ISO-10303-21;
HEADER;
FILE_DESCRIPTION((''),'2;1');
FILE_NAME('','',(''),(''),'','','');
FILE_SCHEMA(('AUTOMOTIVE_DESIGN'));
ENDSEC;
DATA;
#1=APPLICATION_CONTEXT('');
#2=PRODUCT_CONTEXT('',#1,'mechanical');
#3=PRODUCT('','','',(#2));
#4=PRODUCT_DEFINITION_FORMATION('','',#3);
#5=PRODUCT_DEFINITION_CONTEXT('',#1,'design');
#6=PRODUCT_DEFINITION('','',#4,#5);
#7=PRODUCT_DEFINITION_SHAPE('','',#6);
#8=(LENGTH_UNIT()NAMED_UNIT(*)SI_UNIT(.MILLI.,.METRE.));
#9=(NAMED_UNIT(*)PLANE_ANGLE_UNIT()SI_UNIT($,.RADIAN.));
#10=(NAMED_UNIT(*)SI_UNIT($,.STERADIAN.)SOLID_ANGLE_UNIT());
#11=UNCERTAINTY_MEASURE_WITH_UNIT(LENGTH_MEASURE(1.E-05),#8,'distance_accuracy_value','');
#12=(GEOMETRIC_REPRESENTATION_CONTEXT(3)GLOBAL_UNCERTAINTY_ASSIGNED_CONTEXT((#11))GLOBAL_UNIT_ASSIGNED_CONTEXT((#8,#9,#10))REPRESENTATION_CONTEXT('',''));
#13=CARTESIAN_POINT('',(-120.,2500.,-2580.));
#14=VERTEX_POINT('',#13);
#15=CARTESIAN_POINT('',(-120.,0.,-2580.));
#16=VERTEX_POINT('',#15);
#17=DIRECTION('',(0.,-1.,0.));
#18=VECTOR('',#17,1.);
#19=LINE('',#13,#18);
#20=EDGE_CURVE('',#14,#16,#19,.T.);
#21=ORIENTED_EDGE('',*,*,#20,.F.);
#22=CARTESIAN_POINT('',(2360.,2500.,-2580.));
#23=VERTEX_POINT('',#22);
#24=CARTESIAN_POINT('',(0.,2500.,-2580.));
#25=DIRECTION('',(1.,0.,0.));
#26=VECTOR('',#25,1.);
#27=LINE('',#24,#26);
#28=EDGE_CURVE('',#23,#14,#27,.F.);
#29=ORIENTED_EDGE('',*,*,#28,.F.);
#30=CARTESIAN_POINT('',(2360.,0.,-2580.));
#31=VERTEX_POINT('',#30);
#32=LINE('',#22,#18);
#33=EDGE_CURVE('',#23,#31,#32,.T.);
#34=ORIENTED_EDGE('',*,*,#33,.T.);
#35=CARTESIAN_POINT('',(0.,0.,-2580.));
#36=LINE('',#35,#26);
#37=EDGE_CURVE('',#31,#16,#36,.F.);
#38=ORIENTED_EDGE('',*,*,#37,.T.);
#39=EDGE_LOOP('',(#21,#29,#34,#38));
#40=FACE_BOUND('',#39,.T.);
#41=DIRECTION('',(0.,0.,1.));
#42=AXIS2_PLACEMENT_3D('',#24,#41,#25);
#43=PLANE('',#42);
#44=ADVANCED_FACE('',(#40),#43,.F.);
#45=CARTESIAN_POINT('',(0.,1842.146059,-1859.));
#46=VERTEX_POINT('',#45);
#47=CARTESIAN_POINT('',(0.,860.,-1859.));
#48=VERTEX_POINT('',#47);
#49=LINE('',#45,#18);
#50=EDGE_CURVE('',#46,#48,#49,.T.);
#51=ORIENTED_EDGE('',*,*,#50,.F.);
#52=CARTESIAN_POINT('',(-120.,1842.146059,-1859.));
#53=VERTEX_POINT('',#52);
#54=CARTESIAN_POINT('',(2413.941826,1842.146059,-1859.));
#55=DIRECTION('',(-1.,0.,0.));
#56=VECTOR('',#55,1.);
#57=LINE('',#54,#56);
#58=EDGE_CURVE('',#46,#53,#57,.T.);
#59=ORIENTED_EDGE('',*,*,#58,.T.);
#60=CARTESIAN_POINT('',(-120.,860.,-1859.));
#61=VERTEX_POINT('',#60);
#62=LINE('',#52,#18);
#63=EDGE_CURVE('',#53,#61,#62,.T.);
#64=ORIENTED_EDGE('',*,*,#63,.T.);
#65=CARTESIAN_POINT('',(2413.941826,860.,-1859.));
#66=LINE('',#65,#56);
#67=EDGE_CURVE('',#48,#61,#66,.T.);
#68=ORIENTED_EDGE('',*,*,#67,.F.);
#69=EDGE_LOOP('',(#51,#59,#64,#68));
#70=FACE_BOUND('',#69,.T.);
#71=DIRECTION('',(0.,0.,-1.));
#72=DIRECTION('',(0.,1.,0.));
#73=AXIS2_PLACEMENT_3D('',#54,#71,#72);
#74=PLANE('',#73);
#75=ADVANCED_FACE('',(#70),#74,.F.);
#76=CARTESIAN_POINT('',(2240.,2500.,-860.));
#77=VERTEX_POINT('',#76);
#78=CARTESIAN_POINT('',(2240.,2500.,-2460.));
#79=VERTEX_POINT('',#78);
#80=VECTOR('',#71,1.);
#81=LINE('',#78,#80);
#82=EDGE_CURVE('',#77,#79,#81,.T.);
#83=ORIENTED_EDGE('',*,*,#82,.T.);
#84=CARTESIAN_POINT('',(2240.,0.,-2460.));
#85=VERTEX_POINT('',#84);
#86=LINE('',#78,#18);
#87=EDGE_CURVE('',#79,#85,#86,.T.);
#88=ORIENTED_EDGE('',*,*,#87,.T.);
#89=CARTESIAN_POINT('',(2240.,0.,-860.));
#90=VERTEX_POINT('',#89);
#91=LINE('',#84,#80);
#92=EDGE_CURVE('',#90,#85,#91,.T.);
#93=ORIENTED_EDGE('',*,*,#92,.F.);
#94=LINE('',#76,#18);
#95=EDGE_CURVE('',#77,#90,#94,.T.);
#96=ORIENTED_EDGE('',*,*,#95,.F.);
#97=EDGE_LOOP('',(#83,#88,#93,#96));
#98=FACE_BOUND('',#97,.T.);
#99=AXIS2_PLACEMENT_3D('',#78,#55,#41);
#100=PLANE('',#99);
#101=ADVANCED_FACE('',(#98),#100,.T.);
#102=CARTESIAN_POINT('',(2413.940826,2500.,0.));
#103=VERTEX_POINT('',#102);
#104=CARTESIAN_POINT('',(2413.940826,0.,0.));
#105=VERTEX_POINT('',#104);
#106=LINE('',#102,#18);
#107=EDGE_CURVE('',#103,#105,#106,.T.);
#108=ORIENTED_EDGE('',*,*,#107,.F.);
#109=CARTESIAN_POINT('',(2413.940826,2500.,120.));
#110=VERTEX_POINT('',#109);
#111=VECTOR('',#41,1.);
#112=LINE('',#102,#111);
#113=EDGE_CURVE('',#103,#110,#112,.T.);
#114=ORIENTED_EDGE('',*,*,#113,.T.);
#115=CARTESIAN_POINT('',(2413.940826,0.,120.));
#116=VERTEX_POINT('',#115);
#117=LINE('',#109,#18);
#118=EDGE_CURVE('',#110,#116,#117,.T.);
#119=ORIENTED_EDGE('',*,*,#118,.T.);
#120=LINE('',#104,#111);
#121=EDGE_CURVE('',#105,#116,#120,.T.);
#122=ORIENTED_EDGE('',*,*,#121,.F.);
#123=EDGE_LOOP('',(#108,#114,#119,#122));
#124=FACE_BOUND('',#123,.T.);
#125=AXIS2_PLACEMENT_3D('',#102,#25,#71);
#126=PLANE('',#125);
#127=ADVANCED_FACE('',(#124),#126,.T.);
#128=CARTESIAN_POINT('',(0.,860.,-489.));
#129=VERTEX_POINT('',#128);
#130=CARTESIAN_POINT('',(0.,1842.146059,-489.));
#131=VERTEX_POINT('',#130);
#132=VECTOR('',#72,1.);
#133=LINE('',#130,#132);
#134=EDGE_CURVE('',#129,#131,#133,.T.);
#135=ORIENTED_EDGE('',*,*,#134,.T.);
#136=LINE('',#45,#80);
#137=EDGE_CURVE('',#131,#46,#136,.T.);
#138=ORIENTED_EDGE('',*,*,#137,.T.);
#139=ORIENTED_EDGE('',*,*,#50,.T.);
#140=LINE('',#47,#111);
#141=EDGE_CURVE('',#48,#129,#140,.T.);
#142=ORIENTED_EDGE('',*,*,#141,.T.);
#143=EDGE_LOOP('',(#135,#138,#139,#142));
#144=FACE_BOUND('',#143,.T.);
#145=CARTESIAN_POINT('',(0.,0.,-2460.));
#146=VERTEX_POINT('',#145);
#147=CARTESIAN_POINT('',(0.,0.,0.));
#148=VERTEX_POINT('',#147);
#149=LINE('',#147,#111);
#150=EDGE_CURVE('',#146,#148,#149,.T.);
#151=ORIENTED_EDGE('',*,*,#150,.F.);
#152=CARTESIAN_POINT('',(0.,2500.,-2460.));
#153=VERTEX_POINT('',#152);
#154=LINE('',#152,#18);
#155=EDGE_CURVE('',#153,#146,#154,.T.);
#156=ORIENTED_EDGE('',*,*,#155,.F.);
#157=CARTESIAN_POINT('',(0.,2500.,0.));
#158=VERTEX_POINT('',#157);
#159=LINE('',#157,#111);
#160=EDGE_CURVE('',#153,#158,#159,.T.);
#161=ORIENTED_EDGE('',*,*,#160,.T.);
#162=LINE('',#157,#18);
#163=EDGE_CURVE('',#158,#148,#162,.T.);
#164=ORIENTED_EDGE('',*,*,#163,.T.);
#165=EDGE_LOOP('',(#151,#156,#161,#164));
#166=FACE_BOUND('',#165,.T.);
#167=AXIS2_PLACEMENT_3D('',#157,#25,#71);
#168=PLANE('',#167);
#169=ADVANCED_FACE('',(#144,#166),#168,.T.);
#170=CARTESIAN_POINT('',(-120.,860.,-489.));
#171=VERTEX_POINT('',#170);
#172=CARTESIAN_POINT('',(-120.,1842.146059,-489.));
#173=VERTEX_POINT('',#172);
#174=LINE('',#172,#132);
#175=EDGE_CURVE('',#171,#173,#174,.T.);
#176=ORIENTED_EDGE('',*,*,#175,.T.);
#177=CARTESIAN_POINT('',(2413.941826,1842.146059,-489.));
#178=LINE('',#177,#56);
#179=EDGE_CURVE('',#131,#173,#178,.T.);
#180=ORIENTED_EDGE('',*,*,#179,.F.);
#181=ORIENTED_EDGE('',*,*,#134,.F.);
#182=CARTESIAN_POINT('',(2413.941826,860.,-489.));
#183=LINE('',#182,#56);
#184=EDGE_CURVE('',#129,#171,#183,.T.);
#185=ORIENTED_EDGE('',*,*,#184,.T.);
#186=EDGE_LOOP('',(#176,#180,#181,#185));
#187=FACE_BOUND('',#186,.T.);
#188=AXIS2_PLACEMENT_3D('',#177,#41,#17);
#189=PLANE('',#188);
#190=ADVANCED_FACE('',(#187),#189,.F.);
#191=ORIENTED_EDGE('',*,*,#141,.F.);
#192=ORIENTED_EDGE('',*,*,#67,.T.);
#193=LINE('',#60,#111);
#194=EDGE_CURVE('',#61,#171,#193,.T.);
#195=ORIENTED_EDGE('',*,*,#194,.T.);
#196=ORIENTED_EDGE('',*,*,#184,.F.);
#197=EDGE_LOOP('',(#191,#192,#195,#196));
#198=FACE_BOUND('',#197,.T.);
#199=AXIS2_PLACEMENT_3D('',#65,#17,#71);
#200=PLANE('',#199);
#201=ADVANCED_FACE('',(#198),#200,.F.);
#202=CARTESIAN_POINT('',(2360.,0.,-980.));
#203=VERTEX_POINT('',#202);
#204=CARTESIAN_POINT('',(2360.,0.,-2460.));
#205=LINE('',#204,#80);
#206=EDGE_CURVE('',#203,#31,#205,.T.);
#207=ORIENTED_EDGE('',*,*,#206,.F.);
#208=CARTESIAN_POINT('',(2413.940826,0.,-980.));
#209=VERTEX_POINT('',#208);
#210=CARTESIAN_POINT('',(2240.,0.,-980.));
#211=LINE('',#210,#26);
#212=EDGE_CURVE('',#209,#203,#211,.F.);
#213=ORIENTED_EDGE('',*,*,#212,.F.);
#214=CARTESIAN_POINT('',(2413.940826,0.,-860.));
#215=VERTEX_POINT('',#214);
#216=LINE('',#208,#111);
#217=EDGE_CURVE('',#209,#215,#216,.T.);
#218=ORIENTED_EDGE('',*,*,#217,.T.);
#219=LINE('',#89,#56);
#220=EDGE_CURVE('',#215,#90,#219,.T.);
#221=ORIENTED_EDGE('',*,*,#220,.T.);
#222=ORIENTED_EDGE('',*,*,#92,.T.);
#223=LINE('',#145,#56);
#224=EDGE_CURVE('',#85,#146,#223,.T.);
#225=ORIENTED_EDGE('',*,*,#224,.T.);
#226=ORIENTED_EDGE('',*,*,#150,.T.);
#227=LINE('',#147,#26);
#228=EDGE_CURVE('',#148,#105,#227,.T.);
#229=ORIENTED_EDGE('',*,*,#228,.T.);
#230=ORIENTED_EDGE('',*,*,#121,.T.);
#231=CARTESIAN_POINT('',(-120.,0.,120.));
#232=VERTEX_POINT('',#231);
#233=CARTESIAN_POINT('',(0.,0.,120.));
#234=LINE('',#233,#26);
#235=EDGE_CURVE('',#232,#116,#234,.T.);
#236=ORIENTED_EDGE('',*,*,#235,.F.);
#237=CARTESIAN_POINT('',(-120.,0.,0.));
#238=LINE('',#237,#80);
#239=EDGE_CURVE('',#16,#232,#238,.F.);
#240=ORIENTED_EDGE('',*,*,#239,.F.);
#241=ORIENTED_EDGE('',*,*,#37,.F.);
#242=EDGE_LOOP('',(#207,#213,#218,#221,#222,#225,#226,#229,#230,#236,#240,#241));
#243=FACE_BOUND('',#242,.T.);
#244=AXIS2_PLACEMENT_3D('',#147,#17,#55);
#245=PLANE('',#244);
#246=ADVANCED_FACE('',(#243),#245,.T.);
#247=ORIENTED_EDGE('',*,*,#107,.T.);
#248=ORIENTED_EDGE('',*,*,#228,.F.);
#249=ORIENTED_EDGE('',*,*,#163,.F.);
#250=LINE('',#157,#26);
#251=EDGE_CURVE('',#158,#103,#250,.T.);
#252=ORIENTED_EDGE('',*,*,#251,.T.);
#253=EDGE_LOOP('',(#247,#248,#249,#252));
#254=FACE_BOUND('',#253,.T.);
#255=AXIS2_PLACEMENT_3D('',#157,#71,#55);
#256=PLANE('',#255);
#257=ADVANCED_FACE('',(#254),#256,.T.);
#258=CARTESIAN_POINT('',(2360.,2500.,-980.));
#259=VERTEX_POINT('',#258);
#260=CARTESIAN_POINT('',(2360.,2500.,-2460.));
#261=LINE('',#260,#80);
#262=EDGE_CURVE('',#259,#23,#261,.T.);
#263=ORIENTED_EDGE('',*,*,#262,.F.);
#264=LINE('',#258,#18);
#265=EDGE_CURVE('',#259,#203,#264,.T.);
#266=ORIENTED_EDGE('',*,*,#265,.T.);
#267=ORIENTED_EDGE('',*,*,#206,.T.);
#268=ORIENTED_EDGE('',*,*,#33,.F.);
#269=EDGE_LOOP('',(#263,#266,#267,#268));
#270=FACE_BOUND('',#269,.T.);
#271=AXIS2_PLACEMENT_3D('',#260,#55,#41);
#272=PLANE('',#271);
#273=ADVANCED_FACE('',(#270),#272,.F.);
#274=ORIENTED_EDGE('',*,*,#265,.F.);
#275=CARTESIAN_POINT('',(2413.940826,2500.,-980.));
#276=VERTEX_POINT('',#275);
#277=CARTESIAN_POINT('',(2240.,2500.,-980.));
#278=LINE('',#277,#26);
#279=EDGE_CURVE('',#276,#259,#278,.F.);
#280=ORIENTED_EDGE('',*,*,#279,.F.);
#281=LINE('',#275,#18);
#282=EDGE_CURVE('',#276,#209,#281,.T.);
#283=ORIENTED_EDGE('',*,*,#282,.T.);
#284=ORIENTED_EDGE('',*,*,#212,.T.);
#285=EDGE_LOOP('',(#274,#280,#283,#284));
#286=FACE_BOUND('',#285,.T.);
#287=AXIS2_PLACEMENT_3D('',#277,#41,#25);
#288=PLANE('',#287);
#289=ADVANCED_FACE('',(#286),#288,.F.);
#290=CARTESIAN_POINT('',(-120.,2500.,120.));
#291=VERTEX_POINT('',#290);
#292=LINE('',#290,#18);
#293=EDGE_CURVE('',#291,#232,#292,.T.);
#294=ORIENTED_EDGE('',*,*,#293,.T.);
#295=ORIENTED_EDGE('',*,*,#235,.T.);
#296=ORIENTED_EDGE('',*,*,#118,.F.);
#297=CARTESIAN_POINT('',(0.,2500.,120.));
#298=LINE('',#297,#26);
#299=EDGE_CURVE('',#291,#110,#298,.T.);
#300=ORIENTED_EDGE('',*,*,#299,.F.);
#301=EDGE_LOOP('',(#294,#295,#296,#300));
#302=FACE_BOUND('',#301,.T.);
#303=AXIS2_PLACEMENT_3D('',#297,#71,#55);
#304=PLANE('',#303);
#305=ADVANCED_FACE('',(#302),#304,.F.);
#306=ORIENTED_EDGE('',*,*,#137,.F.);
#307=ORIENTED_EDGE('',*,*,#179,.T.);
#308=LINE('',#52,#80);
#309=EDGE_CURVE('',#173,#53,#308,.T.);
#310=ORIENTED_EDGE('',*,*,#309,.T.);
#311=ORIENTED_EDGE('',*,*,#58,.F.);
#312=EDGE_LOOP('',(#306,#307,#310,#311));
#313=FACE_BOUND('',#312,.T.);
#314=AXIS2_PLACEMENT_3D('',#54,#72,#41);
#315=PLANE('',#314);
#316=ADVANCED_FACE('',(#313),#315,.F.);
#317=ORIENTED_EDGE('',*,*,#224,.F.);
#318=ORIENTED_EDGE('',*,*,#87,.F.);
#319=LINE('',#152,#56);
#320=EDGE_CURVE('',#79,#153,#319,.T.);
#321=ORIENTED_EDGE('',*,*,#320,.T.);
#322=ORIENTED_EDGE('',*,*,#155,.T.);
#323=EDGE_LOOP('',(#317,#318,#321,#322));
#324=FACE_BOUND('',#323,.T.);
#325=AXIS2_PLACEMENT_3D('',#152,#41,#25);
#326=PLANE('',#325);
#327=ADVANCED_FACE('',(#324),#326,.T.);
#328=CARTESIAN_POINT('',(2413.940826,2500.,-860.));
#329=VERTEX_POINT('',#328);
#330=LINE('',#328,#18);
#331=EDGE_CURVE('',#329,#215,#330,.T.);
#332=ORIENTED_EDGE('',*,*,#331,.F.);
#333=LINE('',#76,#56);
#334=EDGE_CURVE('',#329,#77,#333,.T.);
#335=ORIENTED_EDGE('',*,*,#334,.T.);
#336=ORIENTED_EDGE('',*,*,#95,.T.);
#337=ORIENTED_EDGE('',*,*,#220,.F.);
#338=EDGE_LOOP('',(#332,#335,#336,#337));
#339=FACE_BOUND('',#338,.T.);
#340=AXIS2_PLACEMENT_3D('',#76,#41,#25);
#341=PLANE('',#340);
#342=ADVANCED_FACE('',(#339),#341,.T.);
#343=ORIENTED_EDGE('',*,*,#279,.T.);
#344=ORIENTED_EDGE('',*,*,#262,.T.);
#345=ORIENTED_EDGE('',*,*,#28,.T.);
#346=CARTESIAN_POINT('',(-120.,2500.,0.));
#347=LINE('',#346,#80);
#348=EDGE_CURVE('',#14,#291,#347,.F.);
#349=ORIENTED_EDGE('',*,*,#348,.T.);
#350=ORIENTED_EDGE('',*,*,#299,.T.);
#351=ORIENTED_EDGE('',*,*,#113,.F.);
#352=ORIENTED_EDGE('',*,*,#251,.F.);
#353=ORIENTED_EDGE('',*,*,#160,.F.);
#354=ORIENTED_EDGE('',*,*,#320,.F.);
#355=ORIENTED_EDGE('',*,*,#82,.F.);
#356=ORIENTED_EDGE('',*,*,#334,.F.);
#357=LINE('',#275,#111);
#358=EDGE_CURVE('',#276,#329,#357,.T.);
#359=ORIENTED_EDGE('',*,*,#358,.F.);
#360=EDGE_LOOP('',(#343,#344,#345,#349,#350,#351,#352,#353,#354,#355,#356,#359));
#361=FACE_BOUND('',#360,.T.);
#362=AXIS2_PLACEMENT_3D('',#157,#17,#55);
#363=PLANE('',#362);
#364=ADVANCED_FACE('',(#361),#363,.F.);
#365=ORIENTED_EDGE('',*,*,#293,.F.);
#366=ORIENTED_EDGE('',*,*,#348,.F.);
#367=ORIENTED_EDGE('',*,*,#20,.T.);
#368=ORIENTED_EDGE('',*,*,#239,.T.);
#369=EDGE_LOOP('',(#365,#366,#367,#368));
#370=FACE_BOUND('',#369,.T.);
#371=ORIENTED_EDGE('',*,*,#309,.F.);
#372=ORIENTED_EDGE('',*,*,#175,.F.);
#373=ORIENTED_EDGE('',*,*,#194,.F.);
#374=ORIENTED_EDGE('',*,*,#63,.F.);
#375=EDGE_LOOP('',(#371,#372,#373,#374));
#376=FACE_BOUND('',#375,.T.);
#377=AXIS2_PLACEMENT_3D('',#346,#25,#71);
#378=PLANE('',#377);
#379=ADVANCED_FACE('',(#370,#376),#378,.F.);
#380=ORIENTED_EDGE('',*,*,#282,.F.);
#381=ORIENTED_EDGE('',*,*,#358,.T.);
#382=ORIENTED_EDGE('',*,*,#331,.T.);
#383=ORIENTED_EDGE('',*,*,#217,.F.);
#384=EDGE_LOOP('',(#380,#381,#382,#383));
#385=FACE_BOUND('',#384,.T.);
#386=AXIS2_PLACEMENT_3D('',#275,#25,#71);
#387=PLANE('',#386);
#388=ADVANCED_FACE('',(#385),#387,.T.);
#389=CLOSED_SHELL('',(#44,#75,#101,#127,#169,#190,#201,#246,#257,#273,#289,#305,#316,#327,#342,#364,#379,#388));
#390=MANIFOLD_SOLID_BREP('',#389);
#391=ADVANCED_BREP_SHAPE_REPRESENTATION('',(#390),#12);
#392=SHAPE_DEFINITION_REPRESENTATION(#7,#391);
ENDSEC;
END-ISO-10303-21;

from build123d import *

# Parameters (mm, degrees)
EXTRUDE_1_DEPTH     = 2500
CUT_EXTRUDE_1_REACH = 2535.941
SKETCH_2_W          = 1370
SKETCH_2_H          = 982.146059398


with BuildPart() as part:
    # Эскиз1 → Вытянуть-Тонкостенный1 (new body)
    with BuildSketch(Plane(origin=(0, 0, 0), x_dir=(1, 0, 0), z_dir=(0, 1, 0))):
        Polygon((2413.940825756, 0), (0, 0), (0, 2460), (2240, 2460), (2240, 860), (2413.940825756, 860), (2413.940825756, 980), (2360, 980), (2360, 2580), (-120, 2580), (-120, -120), (2413.940825756, -120), align=None)
    extrude(amount=EXTRUDE_1_DEPTH)

    # Эскиз2 → Вырез-Вытянуть1 (cut, up to next)
    with BuildSketch(Plane.ZY.offset(120), mode=Mode.PRIVATE) as cut_extrude_1_sk1:
        with Locations((-1174, 1351.073029699)):
            Rectangle(SKETCH_2_W, SKETCH_2_H)
    cut_extrude_1_tool1 = extrude(cut_extrude_1_sk1.sketch, amount=-CUT_EXTRUDE_1_REACH, mode=Mode.PRIVATE) & part.part
    add(cut_extrude_1_tool1.solids().sort_by_distance((-120, 1351.07303, -1174))[0], mode=Mode.SUBTRACT)


solid = part.part
